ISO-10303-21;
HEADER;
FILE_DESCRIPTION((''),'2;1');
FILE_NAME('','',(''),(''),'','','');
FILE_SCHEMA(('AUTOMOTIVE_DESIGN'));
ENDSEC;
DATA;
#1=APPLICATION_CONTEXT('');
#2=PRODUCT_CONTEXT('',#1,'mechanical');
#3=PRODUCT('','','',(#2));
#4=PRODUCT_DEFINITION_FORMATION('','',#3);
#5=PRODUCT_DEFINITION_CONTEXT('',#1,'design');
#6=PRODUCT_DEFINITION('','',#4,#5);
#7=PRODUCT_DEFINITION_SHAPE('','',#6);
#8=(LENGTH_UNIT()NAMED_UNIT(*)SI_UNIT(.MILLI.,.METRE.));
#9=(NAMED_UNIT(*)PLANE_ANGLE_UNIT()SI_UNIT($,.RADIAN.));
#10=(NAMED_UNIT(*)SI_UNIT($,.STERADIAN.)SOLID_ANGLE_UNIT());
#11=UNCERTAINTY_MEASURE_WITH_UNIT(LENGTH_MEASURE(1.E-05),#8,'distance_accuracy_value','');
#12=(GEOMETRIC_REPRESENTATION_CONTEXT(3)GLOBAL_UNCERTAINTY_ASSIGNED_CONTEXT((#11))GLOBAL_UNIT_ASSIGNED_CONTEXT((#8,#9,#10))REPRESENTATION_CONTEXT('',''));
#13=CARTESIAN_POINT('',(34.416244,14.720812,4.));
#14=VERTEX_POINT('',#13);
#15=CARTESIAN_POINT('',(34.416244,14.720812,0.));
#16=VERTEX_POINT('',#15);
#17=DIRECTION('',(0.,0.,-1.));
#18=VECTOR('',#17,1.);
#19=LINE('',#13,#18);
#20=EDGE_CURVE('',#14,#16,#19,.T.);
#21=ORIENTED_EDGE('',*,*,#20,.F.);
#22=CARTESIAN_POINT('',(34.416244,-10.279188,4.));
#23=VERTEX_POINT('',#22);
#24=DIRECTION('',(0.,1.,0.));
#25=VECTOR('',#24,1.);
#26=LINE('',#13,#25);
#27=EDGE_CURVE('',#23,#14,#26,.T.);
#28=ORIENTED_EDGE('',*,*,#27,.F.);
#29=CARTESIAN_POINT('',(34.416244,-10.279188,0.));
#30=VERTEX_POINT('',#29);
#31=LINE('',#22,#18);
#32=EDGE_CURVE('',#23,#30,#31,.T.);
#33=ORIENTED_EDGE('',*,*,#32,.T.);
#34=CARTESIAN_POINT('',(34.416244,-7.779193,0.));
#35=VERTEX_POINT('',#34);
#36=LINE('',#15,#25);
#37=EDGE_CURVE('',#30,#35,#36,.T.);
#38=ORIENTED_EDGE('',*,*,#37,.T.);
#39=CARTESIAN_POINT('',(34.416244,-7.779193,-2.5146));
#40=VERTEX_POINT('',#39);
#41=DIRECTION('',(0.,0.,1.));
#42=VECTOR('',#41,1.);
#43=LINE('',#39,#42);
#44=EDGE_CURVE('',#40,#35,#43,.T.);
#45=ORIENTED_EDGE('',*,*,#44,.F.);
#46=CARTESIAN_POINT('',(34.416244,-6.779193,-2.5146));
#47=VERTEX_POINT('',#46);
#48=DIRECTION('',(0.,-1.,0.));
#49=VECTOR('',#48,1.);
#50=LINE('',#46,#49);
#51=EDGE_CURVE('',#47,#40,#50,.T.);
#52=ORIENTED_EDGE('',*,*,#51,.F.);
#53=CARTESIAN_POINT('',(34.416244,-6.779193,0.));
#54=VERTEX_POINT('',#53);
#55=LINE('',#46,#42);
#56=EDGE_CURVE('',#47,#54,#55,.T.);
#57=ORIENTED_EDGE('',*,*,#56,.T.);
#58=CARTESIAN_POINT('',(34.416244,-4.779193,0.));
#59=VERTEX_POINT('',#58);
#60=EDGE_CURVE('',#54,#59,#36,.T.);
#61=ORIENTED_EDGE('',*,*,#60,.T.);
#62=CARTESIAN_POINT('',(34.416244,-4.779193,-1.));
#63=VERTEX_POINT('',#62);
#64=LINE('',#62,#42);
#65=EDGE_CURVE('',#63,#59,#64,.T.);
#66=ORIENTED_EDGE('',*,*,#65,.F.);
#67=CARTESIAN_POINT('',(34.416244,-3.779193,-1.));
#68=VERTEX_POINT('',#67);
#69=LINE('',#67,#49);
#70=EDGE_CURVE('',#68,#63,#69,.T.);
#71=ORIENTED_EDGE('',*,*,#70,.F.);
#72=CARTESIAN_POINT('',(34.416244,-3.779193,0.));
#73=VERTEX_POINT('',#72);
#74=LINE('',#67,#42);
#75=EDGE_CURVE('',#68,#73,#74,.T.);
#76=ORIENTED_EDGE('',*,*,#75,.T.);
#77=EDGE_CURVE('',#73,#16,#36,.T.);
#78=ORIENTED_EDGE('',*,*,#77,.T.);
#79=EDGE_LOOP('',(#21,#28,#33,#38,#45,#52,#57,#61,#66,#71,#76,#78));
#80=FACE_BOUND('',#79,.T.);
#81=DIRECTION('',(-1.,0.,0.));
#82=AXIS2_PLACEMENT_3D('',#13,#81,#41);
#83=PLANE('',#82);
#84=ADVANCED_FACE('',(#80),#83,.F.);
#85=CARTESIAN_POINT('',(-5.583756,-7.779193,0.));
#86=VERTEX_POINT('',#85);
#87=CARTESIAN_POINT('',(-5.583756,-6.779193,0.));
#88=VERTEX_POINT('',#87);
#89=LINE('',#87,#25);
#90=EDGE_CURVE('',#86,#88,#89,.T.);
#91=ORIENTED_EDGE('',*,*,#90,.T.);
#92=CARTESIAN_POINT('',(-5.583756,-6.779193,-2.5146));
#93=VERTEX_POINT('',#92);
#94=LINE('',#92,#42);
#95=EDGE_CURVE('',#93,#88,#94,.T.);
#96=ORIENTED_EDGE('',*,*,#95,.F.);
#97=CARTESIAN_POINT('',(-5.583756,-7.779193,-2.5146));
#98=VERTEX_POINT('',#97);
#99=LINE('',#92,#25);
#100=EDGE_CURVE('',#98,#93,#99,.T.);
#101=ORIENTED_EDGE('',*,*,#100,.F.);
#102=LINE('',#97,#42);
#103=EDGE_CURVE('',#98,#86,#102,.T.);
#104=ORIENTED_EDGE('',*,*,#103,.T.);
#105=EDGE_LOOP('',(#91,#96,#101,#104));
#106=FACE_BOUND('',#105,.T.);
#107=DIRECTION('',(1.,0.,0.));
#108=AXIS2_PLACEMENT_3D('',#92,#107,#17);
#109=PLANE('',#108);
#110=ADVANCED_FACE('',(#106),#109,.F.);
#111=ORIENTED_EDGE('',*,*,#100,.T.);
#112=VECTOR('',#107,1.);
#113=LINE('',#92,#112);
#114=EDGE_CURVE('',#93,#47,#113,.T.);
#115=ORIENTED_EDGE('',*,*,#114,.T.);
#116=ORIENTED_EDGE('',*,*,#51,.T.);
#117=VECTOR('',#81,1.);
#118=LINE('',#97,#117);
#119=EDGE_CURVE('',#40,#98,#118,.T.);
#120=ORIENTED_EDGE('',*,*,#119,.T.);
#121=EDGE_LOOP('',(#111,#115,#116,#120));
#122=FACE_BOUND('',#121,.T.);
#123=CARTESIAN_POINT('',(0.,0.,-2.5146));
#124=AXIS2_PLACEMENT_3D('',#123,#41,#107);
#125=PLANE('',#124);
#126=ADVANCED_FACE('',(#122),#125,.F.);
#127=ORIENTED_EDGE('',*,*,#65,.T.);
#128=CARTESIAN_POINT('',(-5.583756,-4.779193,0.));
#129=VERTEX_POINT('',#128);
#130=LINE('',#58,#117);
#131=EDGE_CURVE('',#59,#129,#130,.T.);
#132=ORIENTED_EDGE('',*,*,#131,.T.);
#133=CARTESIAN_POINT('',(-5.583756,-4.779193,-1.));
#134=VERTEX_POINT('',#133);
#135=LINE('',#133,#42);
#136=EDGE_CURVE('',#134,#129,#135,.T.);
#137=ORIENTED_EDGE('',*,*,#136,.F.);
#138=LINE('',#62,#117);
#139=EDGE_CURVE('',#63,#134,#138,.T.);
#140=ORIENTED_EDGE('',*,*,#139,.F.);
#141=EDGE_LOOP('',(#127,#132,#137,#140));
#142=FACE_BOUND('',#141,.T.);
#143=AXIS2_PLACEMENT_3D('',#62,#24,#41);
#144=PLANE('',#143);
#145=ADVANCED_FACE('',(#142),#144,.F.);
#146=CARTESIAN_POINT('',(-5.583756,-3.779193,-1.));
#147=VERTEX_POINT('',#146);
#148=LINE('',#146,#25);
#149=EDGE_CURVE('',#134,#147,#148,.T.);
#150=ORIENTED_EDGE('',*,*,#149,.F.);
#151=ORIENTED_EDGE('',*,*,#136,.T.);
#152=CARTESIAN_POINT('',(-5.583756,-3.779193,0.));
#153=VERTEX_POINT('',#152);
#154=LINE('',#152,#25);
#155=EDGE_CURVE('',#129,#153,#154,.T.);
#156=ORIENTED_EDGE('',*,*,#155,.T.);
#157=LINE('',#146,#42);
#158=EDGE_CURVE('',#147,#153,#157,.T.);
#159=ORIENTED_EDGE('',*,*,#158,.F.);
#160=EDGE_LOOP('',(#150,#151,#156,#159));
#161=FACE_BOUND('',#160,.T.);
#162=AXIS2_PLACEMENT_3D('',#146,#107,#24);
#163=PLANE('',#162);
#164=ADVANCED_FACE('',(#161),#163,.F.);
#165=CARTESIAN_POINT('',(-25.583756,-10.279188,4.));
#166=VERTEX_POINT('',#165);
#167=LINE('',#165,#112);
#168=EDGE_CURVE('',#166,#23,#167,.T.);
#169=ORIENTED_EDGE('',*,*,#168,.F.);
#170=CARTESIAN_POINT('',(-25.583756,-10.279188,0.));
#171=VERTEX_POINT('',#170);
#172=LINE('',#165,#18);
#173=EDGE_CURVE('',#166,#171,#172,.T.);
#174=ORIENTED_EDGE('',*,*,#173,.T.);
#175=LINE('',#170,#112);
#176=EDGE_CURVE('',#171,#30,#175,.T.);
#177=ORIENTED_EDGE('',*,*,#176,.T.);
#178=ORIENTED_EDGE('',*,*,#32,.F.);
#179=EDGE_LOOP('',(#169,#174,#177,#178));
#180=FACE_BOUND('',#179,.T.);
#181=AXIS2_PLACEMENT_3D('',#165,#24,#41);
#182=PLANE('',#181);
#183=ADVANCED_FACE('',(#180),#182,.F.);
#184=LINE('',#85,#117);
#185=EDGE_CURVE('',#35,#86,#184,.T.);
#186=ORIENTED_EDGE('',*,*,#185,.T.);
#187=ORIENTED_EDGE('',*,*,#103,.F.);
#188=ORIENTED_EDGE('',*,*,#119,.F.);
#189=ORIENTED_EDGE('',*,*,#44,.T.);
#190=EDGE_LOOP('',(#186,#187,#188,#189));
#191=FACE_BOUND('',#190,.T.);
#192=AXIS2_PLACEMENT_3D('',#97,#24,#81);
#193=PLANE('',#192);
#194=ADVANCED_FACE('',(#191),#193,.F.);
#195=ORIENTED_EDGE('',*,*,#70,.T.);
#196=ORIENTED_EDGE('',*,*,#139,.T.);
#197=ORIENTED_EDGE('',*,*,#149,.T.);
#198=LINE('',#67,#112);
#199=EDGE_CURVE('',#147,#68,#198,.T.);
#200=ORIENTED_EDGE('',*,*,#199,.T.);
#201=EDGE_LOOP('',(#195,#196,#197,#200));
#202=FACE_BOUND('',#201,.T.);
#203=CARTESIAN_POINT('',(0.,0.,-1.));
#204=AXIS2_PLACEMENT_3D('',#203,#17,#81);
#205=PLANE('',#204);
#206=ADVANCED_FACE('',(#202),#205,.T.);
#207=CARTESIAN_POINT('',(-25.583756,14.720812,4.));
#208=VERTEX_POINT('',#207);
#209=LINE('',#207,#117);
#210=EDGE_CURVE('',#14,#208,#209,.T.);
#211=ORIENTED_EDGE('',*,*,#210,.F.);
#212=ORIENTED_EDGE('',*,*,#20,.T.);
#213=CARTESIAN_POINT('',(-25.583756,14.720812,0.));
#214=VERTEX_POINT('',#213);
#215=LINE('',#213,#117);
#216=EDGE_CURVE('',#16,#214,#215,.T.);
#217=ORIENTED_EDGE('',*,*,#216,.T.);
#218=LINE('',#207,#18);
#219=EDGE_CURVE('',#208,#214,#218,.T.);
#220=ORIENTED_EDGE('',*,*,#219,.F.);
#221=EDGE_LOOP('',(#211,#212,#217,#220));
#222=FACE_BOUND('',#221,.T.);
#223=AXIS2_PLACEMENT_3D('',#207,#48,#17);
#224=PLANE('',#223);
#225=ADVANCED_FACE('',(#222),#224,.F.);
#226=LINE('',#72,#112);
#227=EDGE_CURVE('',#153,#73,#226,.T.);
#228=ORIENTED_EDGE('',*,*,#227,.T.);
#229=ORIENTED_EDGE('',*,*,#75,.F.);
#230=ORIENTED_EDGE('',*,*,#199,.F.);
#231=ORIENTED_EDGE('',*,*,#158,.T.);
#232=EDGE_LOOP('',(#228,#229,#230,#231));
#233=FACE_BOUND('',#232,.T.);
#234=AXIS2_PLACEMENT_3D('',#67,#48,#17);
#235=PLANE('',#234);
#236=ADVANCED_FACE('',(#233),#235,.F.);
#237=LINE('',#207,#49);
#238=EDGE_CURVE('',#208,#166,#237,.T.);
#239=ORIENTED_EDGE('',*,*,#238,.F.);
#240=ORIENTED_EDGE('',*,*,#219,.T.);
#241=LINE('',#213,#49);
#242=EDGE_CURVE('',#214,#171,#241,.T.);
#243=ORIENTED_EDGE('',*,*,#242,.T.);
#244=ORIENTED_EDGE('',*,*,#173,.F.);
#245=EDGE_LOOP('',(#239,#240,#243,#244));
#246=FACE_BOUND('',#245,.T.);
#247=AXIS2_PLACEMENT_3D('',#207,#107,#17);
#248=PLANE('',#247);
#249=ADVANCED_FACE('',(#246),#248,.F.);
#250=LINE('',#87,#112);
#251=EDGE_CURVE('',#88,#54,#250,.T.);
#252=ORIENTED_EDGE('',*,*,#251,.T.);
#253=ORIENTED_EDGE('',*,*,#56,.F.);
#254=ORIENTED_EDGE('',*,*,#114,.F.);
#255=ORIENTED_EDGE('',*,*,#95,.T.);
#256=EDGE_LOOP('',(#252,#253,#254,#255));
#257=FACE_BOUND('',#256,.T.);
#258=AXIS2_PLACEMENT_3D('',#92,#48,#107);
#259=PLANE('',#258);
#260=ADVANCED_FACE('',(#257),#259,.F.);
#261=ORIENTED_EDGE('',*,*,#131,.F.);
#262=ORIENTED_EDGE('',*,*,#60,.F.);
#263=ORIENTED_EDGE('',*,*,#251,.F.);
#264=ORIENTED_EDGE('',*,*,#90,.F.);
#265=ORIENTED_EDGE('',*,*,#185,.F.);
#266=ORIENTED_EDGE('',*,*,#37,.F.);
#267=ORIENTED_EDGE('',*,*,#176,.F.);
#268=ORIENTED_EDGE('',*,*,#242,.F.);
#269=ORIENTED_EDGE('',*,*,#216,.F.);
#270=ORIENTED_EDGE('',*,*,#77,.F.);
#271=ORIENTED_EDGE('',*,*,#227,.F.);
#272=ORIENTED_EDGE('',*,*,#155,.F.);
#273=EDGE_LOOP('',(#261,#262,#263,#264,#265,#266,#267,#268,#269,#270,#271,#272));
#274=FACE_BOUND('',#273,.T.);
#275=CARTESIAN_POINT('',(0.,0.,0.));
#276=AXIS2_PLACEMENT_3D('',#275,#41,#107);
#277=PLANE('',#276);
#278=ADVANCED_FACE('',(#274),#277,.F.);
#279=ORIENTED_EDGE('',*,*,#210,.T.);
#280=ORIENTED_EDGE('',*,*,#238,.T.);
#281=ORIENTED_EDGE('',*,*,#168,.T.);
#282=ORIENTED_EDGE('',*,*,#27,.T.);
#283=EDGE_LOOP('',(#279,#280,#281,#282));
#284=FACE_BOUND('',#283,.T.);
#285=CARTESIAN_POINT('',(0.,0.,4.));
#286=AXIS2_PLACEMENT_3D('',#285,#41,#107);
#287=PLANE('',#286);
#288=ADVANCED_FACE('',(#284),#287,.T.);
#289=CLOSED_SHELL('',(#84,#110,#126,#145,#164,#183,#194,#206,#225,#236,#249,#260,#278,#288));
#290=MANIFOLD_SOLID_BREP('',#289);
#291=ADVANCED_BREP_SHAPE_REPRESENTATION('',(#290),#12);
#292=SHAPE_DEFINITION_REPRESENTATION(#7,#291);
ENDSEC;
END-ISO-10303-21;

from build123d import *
from build123d.topology import SkipClean

# Parameters (mm, degrees)
SKETCH1_W           = 60
SKETCH1_H           = 25
BOSS_EXTRUDE1_DEPTH = 4
SKETCH2_W           = 40
SKETCH2_H           = 1
BOSS_EXTRUDE2_DEPTH = 2.5146
SKETCH3_W           = 40
SKETCH3_H           = 1
BOSS_EXTRUDE3_DEPTH = 1


with BuildPart() as part:
    # Sketch1 → Boss-Extrude1 (new body)
    with BuildSketch(Plane.XY):
        with Locations((4.416243655, 2.220812183)):
            Rectangle(SKETCH1_W, SKETCH1_H)
    extrude(amount=BOSS_EXTRUDE1_DEPTH)

    # Sketch2 → Boss-Extrude2 (add)
    with BuildSketch(Plane(origin=(0, 0, 0), x_dir=(-1, 0, 0), z_dir=(0, 0, -1))):
        with Locations((-14.416243533, -7.279192817)):
            Rectangle(SKETCH2_W, SKETCH2_H)
    extrude(amount=BOSS_EXTRUDE2_DEPTH)

    # Sketch3 → Boss-Extrude3 (add)
    with SkipClean():  # the faces are left unmerged after this step: merging them gives an invalid solid
        with BuildSketch(Plane(origin=(0, 0, 0), x_dir=(-1, 0, 0), z_dir=(0, 0, -1))):
            with Locations((-14.416243533, -4.279192817)):
                Rectangle(SKETCH3_W, SKETCH3_H)
        extrude(amount=BOSS_EXTRUDE3_DEPTH)


solid = part.part
